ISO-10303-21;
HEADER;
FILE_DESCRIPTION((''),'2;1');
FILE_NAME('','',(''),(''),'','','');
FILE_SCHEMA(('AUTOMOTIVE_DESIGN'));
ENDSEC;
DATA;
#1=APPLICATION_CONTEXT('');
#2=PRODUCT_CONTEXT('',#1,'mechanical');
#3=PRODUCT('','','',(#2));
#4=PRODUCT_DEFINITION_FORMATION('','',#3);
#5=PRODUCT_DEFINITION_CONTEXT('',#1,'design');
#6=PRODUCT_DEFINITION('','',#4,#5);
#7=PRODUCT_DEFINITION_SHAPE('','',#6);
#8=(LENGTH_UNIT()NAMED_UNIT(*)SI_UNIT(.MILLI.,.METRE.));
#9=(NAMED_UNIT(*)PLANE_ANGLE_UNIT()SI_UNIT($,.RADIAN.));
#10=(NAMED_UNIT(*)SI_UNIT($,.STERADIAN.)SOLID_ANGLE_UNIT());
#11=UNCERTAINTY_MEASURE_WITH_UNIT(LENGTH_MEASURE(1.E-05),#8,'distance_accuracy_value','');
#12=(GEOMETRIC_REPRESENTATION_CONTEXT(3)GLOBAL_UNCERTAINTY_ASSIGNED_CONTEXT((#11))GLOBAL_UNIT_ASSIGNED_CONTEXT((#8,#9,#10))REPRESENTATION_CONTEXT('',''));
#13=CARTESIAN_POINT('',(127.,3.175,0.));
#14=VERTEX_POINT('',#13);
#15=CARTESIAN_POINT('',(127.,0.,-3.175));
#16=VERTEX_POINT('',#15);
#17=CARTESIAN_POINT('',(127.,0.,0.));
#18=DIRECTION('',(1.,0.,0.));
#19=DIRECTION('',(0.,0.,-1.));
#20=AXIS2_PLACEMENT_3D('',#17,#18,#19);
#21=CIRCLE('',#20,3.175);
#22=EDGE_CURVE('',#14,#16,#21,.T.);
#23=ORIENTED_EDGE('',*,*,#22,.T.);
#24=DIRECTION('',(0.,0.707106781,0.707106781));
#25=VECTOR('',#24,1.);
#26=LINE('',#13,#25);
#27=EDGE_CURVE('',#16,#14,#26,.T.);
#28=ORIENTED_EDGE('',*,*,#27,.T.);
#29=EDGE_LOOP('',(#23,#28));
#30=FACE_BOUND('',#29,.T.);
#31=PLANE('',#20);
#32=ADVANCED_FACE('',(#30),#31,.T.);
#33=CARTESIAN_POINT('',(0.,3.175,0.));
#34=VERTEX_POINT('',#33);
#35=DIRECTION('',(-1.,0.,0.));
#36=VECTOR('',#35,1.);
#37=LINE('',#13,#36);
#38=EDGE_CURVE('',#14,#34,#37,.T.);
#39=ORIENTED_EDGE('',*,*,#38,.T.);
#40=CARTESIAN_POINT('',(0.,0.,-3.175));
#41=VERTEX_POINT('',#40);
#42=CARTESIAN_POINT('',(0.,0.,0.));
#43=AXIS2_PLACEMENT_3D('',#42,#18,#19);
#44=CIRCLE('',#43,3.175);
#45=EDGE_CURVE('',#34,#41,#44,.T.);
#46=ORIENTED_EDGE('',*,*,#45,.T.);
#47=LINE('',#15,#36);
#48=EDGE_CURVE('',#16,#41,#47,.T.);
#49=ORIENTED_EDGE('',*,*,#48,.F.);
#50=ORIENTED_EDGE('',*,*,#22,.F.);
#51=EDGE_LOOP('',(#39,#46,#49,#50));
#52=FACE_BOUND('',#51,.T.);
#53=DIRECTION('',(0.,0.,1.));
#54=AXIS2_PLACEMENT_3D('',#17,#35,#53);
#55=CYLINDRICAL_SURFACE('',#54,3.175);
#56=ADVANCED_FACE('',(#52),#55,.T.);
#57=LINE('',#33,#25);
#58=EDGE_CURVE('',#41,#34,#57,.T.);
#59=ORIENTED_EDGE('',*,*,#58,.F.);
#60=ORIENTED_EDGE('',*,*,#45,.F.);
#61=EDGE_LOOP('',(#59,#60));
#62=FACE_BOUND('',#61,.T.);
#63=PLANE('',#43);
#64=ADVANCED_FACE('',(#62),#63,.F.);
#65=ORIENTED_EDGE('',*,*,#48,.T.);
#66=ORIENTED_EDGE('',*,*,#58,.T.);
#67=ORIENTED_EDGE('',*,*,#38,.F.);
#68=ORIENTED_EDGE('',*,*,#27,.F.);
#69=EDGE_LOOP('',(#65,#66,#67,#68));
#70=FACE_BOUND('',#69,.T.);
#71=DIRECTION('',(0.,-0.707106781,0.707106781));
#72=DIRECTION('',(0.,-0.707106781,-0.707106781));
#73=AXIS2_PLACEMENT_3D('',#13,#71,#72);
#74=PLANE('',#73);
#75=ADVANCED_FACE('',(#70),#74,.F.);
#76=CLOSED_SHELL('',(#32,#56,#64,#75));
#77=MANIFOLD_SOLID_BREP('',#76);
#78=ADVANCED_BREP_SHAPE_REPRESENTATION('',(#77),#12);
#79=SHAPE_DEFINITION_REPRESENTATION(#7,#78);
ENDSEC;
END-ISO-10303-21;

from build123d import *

# Parameters (mm, degrees)
BOSS_EXTRUDE1_DEPTH = 127


with BuildPart() as part:
    # Sketch1 → Boss-Extrude1 (new body)
    with BuildSketch(Plane(origin=(0, 0, 0), x_dir=(0, 0, -1), z_dir=(1, 0, 0))):
        with BuildLine():
            Line((0, 3.175), (3.175, 0))
            ThreePointArc((3.175, 0), (-2.24506403, -2.24506403), (0, 3.175))
        make_face()
    extrude(amount=BOSS_EXTRUDE1_DEPTH)


solid = part.part
